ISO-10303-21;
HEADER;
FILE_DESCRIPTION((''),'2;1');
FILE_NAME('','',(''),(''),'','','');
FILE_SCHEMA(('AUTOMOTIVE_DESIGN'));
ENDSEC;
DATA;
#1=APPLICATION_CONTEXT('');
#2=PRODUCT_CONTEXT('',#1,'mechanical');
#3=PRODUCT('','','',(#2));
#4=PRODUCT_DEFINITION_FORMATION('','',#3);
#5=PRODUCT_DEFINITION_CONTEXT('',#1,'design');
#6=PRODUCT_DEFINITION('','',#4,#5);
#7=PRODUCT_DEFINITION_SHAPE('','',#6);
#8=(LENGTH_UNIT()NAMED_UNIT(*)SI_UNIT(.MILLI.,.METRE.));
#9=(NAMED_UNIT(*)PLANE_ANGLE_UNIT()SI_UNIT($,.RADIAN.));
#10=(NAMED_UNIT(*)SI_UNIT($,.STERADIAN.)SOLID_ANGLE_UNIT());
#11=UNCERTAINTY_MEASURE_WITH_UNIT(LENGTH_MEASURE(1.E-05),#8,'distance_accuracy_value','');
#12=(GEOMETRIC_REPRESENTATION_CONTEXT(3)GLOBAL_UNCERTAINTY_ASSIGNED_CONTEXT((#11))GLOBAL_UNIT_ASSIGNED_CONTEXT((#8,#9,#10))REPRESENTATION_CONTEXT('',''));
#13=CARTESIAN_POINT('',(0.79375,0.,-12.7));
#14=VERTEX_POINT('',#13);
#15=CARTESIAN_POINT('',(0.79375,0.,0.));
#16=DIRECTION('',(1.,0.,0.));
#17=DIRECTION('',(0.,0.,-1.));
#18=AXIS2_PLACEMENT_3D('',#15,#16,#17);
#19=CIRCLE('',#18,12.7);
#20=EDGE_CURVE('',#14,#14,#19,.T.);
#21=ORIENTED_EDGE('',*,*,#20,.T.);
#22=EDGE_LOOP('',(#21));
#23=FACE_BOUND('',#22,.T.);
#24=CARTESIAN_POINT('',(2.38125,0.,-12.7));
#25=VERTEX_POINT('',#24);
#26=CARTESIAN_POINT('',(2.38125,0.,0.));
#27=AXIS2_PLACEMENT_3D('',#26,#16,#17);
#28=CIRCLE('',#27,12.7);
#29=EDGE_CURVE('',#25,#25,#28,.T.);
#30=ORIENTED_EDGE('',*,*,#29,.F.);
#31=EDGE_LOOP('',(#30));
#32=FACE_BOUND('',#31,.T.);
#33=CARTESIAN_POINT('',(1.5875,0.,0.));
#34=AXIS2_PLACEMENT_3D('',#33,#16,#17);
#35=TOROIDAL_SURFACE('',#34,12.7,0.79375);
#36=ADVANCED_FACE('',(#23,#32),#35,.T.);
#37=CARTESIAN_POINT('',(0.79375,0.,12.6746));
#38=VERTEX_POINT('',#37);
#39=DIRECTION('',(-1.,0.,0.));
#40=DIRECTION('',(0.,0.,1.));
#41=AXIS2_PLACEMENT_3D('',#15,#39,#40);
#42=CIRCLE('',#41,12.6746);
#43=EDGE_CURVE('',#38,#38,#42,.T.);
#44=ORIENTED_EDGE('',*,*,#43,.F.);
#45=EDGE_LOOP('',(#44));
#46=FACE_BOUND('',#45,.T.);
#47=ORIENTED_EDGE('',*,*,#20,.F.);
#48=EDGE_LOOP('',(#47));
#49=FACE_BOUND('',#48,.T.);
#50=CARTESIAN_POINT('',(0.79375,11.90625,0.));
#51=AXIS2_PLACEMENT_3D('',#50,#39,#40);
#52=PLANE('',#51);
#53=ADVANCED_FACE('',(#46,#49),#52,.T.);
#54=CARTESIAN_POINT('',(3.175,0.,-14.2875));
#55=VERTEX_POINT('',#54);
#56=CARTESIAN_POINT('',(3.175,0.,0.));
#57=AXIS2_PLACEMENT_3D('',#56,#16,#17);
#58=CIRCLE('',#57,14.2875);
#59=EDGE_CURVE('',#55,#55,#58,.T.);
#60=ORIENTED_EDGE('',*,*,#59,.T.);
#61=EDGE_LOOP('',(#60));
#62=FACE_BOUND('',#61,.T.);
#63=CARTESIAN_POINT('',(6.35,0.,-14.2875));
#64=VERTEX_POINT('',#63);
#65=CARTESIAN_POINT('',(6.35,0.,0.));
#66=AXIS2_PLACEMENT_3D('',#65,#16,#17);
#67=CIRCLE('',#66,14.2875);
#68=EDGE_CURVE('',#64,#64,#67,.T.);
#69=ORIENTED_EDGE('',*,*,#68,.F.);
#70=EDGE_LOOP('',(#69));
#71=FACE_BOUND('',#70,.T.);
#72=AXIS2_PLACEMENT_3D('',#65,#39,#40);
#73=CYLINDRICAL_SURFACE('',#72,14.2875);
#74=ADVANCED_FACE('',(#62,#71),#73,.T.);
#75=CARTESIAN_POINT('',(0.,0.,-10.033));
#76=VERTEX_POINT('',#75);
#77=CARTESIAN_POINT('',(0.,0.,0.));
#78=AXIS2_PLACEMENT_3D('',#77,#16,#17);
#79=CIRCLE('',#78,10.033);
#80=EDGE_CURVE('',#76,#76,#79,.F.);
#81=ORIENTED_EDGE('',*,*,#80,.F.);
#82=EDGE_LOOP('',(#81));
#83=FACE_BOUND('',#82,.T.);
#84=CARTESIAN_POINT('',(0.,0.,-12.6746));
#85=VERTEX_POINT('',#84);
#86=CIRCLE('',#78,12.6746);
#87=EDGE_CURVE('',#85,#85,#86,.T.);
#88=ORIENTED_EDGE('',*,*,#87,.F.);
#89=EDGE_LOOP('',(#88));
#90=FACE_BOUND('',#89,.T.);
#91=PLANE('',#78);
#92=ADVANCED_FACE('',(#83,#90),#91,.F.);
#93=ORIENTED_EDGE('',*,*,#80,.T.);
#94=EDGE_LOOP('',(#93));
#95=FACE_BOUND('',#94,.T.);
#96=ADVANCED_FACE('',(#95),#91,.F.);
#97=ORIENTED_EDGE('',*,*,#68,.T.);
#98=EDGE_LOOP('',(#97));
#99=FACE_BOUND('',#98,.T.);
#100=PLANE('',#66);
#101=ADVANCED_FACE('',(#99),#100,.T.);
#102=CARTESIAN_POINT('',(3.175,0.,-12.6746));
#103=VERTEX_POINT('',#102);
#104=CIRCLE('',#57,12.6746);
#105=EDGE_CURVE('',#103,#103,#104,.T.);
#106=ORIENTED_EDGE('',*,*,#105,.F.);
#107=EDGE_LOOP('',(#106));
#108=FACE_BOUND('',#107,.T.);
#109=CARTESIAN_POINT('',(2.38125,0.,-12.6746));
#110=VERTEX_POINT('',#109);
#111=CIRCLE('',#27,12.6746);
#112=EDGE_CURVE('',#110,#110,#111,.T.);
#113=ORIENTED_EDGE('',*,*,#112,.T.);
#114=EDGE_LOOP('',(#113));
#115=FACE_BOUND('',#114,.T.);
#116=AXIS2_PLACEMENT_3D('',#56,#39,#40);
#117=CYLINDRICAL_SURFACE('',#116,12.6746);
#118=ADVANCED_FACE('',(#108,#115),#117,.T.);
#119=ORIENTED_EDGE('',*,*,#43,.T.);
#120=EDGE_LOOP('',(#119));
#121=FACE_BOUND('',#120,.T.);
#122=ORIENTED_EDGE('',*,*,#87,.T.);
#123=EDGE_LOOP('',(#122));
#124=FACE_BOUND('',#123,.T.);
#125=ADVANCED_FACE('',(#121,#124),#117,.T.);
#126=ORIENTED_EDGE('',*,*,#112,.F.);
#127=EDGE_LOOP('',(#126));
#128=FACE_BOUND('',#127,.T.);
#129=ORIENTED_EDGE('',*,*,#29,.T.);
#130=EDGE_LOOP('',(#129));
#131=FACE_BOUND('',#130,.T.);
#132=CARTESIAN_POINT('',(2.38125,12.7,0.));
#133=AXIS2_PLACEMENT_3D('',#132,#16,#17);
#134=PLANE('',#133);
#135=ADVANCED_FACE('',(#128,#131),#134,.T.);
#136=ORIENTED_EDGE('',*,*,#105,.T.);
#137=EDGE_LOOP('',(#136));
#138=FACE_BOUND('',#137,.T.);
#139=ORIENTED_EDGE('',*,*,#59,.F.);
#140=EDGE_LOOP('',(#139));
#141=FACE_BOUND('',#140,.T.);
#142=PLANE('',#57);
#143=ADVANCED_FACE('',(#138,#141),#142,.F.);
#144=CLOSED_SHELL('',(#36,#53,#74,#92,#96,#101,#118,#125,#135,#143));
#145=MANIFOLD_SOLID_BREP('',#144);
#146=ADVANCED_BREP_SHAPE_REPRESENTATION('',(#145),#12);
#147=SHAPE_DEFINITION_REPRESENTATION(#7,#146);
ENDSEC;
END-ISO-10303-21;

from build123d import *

# Parameters (mm, degrees)
SKETCH1_R           = 12.6746
BOSS_EXTRUDE1_DEPTH = 3.175
SKETCH2_R           = 14.2875
BOSS_EXTRUDE2_DEPTH = 3.175


with BuildPart() as part:
    # Sketch1 → Boss-Extrude1 (new body)
    with BuildSketch(Plane(origin=(0, 0, 0), x_dir=(0, 0, -1), z_dir=(1, 0, 0))):
        Circle(SKETCH1_R)
    extrude(amount=BOSS_EXTRUDE1_DEPTH)

    # Sketch2 → Boss-Extrude2 (add)
    with BuildSketch(Plane(origin=(3.175, 0, 0), x_dir=(0, 0, -1), z_dir=(1, 0, 0))):
        Circle(SKETCH2_R)
    extrude(amount=BOSS_EXTRUDE2_DEPTH)

    # Sketch3 → Revolve1 (revolve)
    with BuildSketch(Plane.XY, mode=Mode.PRIVATE) as revolve1_sk:
        with BuildLine():
            Line((2.38125, 12.7), (2.38125, 11.90625))
            Line((2.38125, 11.90625), (0.79375, 11.90625))
            Line((0.79375, 11.90625), (0.79375, 12.7))
            ThreePointArc((0.79375, 12.7), (1.5875, 13.49375), (2.38125, 12.7))
        make_face()
    revolve(revolve1_sk.sketch.rotate(Axis((0, 0, 0), (-1, 0, 0)), 90), axis=Axis((0, 0, 0), (-1, 0, 0)))


solid = part.part
